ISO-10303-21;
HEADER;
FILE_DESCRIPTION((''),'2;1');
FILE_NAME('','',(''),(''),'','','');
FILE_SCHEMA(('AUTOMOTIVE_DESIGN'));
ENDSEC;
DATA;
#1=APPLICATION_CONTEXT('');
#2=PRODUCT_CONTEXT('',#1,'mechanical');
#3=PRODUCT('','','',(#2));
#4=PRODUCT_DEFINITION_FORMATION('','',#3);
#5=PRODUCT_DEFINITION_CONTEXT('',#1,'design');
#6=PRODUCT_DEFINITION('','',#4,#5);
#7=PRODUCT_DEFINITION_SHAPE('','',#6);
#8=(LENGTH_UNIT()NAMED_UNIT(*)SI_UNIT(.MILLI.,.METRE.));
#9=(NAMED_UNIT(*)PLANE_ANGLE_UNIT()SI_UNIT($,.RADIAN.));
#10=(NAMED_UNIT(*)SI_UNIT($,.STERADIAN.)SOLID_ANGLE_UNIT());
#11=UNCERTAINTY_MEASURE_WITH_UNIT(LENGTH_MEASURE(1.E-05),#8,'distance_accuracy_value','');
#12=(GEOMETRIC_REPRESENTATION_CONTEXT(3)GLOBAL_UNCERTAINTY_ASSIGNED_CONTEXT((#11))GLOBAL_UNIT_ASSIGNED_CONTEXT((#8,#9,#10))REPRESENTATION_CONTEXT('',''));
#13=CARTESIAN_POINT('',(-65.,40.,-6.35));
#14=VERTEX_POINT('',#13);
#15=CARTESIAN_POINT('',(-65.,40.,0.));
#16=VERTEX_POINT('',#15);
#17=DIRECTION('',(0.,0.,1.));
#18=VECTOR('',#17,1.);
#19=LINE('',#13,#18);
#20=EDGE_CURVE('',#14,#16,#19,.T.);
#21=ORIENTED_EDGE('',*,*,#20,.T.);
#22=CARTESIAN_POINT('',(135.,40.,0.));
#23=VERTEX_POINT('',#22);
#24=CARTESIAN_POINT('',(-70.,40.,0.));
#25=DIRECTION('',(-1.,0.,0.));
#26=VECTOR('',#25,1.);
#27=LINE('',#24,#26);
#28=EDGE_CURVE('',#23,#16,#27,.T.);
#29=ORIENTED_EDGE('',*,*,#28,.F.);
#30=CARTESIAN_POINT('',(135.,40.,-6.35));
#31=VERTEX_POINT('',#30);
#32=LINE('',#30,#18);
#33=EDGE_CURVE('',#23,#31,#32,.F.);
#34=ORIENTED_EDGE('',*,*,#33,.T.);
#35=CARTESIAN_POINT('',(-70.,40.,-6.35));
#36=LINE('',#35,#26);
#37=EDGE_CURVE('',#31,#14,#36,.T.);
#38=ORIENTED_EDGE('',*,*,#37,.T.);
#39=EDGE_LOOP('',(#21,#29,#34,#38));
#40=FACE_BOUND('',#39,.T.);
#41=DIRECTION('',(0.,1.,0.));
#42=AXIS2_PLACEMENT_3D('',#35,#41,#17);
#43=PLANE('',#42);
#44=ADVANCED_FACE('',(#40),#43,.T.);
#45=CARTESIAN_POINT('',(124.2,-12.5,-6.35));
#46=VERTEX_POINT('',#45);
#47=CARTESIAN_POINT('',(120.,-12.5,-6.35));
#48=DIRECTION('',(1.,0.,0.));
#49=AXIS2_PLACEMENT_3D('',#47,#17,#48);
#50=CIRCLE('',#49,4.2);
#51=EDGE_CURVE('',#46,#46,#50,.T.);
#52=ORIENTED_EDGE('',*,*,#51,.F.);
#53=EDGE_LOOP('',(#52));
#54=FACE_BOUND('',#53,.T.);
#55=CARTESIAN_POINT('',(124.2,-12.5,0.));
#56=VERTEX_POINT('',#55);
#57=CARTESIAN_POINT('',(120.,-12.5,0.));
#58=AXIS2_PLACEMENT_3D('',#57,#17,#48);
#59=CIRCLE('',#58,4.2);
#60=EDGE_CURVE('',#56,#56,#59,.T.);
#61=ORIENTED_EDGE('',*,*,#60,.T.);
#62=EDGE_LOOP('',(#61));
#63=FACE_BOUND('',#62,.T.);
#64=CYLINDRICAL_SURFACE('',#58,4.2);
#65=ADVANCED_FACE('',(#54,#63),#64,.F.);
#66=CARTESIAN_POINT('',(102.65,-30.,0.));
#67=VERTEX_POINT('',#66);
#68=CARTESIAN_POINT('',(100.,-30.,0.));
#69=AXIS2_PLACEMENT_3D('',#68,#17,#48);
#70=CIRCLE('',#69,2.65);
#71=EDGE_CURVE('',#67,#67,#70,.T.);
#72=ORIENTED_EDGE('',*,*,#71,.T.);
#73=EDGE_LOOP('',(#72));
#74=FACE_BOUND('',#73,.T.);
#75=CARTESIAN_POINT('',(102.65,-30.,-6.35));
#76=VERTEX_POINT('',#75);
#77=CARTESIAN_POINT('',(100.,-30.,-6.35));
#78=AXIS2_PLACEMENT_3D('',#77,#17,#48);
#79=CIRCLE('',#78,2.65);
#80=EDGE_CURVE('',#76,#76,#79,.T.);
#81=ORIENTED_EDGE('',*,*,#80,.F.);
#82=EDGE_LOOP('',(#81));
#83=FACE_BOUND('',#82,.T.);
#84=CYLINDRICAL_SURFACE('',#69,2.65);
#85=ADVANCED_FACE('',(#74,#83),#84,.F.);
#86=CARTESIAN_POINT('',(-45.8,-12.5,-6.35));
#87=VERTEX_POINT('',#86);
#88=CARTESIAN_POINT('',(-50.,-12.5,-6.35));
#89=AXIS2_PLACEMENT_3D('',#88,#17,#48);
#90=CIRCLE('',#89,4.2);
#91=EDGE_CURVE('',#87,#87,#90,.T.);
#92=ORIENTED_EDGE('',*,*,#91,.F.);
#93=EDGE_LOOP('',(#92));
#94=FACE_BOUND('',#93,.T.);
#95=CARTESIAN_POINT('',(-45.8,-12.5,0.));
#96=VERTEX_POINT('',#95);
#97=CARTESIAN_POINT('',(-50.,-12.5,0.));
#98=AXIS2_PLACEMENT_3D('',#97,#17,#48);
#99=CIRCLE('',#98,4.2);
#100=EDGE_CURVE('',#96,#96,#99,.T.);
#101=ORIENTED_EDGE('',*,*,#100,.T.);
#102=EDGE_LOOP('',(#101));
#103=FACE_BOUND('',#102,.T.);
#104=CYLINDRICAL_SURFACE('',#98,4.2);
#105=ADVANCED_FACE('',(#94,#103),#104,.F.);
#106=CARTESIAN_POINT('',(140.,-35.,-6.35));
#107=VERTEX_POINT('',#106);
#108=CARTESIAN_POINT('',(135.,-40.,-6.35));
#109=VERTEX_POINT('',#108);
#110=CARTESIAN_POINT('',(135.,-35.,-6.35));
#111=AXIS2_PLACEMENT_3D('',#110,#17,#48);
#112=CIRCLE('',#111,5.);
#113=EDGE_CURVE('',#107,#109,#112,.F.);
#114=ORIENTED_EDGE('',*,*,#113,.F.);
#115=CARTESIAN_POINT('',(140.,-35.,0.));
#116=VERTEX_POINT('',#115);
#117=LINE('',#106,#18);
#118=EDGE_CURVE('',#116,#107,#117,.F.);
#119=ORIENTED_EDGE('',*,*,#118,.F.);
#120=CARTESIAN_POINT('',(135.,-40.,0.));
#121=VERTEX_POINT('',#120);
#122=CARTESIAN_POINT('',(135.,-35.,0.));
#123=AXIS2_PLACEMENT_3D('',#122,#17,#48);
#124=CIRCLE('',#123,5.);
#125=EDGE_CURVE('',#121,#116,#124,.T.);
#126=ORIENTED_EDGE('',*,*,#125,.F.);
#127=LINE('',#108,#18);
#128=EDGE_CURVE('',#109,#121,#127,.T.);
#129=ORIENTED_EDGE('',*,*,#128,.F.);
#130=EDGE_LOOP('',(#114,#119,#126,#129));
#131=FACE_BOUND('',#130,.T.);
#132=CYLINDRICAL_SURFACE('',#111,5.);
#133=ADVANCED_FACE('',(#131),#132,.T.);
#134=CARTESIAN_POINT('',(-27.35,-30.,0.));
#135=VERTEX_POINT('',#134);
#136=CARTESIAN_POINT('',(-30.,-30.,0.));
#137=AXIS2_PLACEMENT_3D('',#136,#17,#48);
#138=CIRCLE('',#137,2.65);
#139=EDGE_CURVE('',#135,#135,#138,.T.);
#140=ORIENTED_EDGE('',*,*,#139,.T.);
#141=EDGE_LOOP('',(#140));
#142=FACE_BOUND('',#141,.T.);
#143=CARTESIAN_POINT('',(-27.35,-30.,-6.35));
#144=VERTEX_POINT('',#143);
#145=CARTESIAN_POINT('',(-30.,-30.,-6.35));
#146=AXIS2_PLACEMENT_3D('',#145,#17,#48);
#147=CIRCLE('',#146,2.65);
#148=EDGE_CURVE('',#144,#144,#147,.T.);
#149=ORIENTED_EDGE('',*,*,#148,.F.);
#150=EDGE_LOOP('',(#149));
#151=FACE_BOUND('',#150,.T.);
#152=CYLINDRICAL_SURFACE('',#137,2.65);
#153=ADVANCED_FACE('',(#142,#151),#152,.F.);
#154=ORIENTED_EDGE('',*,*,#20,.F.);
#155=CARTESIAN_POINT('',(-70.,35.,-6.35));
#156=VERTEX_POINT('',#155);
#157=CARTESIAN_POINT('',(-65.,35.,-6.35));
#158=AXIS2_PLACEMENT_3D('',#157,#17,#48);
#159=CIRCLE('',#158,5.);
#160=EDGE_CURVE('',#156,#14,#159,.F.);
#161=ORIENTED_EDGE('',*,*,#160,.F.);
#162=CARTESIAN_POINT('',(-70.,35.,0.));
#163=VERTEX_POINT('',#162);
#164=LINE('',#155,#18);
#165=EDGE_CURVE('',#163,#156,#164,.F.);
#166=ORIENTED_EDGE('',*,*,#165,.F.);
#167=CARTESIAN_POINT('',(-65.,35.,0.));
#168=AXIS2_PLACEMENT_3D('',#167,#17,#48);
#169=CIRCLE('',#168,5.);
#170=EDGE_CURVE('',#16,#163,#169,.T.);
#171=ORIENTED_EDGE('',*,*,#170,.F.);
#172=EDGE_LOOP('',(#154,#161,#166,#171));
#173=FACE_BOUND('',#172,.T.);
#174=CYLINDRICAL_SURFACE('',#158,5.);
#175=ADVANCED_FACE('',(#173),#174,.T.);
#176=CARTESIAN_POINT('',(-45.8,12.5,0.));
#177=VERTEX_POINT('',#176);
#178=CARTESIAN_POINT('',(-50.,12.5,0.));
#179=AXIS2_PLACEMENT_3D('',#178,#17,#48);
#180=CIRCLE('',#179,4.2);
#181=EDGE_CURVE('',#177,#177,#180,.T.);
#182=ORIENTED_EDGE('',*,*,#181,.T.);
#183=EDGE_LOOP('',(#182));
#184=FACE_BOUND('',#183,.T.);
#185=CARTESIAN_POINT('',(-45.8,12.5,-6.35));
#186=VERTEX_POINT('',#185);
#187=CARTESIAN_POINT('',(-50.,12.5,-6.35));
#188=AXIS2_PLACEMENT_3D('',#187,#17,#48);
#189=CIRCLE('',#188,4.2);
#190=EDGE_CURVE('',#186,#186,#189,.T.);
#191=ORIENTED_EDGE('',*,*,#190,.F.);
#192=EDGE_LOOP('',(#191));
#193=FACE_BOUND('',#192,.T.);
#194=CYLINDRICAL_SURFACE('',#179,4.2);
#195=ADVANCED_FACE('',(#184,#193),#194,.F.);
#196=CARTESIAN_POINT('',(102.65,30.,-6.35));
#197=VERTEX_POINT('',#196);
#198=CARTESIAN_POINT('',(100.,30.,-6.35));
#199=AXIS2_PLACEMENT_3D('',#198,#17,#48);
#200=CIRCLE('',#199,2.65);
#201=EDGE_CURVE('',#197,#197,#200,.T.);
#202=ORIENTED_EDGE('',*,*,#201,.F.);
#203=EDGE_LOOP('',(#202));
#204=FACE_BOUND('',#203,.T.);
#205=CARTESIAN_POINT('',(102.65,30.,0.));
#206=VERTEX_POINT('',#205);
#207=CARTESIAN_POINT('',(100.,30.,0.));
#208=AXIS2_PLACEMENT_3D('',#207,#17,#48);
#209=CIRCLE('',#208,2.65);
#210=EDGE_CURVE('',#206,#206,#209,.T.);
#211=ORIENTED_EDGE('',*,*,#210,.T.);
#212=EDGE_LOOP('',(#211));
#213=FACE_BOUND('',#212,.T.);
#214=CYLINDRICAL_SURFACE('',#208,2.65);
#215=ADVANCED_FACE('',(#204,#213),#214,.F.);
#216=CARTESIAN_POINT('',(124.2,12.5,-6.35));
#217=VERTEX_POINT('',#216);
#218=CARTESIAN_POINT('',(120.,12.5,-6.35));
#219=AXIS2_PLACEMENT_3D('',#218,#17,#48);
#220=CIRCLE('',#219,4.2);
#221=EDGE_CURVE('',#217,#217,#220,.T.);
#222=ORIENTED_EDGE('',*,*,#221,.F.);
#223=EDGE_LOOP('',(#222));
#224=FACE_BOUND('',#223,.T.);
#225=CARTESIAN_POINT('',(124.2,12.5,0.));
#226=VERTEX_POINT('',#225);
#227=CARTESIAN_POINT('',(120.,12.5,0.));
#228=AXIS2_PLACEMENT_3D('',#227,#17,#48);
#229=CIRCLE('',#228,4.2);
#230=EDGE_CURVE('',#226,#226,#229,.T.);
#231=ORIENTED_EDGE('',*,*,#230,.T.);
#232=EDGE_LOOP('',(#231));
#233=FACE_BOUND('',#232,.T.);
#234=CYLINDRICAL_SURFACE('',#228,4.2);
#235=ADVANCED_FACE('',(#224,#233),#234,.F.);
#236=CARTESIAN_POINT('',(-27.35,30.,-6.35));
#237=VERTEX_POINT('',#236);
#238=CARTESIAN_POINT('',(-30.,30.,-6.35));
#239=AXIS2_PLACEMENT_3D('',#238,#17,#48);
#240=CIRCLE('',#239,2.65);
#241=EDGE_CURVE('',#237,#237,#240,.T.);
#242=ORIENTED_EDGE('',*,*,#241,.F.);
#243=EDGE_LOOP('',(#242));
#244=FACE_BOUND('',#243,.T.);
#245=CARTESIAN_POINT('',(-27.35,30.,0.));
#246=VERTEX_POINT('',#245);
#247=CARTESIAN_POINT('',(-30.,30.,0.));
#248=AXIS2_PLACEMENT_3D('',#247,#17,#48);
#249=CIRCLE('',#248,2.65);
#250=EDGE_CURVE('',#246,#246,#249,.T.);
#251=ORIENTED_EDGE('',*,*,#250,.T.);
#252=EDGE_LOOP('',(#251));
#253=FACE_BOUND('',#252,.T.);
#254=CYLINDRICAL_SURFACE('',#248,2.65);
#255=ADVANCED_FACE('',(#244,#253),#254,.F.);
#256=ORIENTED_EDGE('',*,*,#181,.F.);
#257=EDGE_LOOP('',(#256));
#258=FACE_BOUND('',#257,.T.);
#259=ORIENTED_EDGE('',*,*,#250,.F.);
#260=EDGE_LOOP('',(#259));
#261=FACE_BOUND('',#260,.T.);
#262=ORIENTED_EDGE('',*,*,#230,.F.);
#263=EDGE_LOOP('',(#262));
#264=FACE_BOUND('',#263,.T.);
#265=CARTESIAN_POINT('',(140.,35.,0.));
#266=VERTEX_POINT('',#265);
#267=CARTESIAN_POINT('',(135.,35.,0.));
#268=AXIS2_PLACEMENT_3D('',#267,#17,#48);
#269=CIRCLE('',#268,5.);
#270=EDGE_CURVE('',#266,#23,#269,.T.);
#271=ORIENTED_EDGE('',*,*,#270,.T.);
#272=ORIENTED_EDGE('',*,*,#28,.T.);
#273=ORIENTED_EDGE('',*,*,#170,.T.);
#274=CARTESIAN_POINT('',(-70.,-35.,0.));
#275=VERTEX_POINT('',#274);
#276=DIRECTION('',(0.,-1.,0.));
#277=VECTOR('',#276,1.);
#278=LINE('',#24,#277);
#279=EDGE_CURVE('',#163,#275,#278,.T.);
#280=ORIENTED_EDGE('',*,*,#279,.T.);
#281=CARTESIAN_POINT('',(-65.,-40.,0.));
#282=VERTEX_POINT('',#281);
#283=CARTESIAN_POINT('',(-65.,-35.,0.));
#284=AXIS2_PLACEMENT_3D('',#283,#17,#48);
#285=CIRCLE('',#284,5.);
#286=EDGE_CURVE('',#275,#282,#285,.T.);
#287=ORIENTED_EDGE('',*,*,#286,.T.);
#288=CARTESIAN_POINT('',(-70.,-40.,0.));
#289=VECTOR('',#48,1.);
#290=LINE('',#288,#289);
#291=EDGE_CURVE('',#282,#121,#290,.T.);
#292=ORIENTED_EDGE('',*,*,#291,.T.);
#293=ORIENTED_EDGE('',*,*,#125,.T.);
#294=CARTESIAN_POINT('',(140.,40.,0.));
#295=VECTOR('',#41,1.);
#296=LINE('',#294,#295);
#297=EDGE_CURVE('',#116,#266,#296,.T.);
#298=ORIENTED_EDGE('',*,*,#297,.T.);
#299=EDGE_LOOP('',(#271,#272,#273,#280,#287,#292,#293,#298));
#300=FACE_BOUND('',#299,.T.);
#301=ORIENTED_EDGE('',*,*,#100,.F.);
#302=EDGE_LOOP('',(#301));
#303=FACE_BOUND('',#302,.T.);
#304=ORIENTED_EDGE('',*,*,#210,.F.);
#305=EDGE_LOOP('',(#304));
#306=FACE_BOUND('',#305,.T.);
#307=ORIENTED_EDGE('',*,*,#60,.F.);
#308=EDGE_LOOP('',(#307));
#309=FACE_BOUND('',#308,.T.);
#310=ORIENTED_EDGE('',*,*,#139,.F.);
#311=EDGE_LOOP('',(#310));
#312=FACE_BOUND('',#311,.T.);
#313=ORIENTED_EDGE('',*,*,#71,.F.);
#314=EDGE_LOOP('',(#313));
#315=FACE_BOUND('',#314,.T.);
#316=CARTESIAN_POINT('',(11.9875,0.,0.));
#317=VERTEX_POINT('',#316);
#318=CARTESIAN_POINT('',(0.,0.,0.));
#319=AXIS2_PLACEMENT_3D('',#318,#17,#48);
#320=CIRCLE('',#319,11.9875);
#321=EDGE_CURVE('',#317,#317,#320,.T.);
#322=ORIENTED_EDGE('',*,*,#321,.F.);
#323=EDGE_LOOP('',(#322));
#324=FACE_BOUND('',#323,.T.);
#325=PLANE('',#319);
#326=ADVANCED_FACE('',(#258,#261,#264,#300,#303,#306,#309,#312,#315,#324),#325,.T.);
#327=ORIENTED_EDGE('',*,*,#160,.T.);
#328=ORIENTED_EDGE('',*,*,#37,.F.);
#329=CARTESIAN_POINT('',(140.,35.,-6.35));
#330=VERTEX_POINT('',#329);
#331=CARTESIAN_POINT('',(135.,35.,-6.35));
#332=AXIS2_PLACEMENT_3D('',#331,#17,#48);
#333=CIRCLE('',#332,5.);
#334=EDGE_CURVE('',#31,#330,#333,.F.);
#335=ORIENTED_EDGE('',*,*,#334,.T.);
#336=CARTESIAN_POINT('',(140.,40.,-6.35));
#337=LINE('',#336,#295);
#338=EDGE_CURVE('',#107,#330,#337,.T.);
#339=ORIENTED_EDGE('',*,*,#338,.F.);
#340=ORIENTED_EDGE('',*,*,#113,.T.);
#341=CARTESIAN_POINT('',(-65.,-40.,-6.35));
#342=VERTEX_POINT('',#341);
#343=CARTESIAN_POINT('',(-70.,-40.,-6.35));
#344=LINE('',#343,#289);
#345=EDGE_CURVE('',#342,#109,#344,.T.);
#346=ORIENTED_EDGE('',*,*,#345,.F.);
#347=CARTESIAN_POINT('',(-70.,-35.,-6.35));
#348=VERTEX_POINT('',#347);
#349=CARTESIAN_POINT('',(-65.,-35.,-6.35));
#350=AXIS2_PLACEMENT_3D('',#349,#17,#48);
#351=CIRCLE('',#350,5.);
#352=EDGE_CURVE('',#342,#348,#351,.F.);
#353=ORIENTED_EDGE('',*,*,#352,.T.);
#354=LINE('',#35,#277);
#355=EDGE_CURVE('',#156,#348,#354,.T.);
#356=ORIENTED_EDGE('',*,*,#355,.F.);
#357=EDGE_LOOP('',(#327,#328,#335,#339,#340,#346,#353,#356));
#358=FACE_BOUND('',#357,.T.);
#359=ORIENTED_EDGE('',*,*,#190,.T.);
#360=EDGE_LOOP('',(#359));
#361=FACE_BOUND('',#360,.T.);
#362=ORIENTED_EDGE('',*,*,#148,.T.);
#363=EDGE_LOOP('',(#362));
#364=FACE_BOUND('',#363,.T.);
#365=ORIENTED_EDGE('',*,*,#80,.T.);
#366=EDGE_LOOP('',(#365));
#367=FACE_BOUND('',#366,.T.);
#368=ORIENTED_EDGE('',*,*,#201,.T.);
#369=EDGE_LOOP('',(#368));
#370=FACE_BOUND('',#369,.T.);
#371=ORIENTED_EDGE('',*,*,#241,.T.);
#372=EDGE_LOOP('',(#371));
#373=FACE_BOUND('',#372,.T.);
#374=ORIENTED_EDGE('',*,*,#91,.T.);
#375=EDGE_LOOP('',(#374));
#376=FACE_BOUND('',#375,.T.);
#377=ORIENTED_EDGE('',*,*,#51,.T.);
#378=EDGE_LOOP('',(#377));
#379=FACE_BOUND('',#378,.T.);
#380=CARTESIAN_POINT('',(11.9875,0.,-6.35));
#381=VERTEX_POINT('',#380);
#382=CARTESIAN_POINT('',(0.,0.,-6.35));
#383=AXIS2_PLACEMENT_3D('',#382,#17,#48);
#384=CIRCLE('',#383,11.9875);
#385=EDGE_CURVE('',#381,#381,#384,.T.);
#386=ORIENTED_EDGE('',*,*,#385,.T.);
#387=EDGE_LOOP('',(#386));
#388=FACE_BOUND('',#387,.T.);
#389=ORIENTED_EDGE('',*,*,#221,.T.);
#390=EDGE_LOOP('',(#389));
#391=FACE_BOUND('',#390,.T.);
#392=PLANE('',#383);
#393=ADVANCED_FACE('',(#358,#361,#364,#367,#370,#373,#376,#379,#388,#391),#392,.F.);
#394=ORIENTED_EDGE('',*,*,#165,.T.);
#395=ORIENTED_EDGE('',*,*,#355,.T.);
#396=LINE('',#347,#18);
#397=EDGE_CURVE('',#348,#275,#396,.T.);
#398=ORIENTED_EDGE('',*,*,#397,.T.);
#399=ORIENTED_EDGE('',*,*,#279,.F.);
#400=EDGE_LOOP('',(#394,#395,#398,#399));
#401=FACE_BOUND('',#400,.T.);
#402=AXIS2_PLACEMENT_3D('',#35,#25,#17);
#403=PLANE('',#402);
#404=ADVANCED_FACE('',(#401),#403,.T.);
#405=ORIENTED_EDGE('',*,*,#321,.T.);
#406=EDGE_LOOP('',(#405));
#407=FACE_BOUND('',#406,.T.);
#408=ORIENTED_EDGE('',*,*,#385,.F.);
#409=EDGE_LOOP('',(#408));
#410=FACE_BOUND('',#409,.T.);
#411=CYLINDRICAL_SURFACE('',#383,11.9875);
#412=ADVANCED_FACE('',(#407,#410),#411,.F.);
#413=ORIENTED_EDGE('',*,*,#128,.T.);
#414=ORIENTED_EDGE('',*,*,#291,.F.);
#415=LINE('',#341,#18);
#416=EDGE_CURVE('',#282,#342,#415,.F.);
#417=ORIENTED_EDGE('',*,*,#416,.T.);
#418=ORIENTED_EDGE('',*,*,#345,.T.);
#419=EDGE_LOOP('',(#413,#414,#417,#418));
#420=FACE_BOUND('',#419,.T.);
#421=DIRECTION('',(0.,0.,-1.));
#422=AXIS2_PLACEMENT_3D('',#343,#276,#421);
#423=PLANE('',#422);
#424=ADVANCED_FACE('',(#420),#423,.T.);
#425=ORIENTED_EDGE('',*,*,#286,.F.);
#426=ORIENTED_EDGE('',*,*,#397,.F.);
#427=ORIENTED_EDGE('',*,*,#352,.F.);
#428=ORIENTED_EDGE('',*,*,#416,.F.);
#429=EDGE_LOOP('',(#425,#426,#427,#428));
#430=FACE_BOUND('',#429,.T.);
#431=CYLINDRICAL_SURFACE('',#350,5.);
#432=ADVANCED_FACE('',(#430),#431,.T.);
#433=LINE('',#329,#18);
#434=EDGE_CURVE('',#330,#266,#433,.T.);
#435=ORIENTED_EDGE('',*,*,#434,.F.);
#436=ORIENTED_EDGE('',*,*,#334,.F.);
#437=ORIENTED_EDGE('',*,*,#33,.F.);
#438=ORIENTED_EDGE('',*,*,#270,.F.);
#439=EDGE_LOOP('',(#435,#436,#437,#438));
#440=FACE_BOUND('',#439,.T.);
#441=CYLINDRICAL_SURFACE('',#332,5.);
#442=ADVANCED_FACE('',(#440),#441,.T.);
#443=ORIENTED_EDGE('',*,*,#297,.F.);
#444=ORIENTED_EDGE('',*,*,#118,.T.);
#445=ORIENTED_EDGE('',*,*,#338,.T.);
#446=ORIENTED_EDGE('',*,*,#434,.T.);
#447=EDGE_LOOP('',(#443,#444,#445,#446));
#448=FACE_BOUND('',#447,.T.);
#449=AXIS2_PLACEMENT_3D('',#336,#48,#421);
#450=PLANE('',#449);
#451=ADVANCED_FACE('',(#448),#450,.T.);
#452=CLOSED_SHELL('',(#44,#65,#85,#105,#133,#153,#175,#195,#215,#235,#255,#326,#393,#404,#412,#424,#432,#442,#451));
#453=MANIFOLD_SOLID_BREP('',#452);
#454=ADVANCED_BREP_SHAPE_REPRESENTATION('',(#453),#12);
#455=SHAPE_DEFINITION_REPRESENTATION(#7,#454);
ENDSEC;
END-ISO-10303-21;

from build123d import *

# Parameters (mm, degrees)
SKETCH1_W            = 210
SKETCH1_H            = 80
SKETCH1_R            = 11.9875
BOSS_EXTRUDE1_DEPTH  = 6.35
M5_CLEARANCE_HOLE1_D = 5.3
FILLET1_R            = 5
M8_CLEARANCE_HOLE2_D = 8.4


with BuildPart() as part:
    # Sketch1 → Boss-Extrude1 (new body)
    with BuildSketch(Plane.XY):
        with Locations((35, 0)):
            Rectangle(SKETCH1_W, SKETCH1_H)
        Circle(SKETCH1_R, mode=Mode.SUBTRACT)
    extrude(amount=-BOSS_EXTRUDE1_DEPTH)

    # M5 Clearance Hole1 (through all)
    with Locations(Plane(origin=(-30, 30, 0), x_dir=(1, 0, 0), z_dir=(0, 0, 1))):
        with Locations((0, 0), (0, -60), (130, -60), (130, 0)):
            Hole(M5_CLEARANCE_HOLE1_D / 2)

    # Fillet1
    fillet1_edges = [part.edges().sort_by_distance(p)[0] for p in [
        (-70, 40, -3.175),
        (140, 40, -3.175),
        (140, -40, -3.175),
        (-70, -40, -3.175),
    ]]
    fillet(fillet1_edges, radius=FILLET1_R)

    # M8 Clearance Hole2 (through all)
    with Locations(Plane(origin=(-50, 12.5, 0), x_dir=(1, 0, 0), z_dir=(0, 0, 1))):
        with Locations((0, 0), (0, -25), (170, -25), (170, 0)):
            Hole(M8_CLEARANCE_HOLE2_D / 2)


solid = part.part
